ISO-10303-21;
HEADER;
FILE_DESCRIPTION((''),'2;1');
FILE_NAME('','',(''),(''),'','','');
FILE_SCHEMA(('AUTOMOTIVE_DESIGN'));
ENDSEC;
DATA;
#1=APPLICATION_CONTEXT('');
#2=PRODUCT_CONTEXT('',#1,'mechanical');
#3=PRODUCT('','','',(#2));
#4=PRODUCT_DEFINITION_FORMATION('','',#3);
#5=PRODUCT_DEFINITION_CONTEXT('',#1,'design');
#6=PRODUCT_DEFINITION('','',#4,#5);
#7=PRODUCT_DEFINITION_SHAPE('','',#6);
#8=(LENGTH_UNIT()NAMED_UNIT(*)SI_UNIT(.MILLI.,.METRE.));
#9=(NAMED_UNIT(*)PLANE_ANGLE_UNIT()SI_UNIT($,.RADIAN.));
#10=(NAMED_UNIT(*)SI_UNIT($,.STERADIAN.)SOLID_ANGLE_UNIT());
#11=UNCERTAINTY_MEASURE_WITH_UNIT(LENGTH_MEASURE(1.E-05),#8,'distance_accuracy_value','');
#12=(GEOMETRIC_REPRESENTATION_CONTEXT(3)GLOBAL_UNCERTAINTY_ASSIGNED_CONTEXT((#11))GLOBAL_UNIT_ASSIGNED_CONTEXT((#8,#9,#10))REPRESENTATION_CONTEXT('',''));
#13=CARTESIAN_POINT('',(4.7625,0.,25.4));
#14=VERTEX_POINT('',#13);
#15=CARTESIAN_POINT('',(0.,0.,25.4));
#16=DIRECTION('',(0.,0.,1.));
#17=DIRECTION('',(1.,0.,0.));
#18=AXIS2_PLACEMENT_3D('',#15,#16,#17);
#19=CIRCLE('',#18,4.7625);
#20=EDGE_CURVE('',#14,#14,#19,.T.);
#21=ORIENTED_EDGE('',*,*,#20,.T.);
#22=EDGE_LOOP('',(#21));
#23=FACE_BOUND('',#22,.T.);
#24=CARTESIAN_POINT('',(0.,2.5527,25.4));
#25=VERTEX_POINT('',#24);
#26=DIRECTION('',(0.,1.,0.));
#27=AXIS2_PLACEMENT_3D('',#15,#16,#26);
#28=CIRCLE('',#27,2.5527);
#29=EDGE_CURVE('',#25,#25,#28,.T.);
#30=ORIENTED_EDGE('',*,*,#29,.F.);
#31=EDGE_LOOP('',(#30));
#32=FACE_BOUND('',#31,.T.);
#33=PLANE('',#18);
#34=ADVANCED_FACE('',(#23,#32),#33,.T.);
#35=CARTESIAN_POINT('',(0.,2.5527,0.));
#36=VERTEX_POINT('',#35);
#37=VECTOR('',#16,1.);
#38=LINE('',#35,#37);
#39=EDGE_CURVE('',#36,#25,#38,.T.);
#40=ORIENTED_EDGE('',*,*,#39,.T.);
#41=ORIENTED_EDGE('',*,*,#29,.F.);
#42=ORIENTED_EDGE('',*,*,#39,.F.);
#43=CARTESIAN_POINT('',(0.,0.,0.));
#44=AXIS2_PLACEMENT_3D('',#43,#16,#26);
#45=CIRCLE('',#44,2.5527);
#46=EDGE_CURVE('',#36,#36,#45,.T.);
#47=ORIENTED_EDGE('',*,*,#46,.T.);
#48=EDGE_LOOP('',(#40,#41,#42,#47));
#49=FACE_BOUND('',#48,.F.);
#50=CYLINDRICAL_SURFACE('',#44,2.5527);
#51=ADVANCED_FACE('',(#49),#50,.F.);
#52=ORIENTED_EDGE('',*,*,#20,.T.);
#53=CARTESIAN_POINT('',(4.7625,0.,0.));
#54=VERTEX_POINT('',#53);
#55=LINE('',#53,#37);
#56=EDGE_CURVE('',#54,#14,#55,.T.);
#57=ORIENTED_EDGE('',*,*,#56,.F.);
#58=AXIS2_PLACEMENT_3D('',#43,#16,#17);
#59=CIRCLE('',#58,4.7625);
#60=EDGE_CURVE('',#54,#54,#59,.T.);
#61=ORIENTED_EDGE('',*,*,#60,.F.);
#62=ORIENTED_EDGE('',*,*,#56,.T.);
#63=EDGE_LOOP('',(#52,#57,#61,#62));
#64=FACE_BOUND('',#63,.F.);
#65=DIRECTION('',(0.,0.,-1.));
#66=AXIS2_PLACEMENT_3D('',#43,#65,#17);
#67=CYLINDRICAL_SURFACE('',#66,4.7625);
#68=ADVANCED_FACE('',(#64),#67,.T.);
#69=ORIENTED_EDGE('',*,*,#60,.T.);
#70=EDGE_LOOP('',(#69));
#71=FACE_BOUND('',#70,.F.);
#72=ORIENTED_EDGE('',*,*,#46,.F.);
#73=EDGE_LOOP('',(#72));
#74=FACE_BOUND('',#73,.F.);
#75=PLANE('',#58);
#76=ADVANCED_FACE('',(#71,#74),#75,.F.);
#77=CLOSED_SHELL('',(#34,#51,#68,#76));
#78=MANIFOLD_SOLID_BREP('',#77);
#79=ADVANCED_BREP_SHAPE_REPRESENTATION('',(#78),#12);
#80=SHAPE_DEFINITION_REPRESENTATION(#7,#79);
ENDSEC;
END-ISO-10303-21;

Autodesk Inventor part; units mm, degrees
ref_plane "YZ Plane" through (0, 0, 0) normal (1, 0, 0) x (0, 1, 0)
ref_plane "XZ Plane" through (0, 0, 0) normal (0, 1, 0) x (-1, 0, 0)
ref_plane "XY Plane" through (0, 0, 0) normal (0, 0, 1) x (1, 0, 0)
sketch "Sketch1" plane through (0, 0, 0) normal (0, 0, 1) x (1, 0, 0)
  circle A0 centre (0, 0) radius 4.7625
  dimension "d10" = 9.525
extrude "Extrusion1" add sketch "Sketch1" along normal blind 25.4
hole "Hole1" at (0, 0, 0) direction (0, 0, 1) diameter 5.1054 end through all clearance for "Flat Head Machine Screw (82)" size "#10" standard "Ansi Unified Screw Threads"
equation "\"d10\" = OutsideDiameter"
equation "\"d1\" = StandoffLength"
equation "\"d3\" = HoleDiameter"
equation "\"StandoffLength\" = 25.4"
equation "\"HoleDiameter\" = 5.1054"
equation "\"OutsideDiameter\" = 9.525"
properties part number "CL3-014" material "Aluminum 6061"
